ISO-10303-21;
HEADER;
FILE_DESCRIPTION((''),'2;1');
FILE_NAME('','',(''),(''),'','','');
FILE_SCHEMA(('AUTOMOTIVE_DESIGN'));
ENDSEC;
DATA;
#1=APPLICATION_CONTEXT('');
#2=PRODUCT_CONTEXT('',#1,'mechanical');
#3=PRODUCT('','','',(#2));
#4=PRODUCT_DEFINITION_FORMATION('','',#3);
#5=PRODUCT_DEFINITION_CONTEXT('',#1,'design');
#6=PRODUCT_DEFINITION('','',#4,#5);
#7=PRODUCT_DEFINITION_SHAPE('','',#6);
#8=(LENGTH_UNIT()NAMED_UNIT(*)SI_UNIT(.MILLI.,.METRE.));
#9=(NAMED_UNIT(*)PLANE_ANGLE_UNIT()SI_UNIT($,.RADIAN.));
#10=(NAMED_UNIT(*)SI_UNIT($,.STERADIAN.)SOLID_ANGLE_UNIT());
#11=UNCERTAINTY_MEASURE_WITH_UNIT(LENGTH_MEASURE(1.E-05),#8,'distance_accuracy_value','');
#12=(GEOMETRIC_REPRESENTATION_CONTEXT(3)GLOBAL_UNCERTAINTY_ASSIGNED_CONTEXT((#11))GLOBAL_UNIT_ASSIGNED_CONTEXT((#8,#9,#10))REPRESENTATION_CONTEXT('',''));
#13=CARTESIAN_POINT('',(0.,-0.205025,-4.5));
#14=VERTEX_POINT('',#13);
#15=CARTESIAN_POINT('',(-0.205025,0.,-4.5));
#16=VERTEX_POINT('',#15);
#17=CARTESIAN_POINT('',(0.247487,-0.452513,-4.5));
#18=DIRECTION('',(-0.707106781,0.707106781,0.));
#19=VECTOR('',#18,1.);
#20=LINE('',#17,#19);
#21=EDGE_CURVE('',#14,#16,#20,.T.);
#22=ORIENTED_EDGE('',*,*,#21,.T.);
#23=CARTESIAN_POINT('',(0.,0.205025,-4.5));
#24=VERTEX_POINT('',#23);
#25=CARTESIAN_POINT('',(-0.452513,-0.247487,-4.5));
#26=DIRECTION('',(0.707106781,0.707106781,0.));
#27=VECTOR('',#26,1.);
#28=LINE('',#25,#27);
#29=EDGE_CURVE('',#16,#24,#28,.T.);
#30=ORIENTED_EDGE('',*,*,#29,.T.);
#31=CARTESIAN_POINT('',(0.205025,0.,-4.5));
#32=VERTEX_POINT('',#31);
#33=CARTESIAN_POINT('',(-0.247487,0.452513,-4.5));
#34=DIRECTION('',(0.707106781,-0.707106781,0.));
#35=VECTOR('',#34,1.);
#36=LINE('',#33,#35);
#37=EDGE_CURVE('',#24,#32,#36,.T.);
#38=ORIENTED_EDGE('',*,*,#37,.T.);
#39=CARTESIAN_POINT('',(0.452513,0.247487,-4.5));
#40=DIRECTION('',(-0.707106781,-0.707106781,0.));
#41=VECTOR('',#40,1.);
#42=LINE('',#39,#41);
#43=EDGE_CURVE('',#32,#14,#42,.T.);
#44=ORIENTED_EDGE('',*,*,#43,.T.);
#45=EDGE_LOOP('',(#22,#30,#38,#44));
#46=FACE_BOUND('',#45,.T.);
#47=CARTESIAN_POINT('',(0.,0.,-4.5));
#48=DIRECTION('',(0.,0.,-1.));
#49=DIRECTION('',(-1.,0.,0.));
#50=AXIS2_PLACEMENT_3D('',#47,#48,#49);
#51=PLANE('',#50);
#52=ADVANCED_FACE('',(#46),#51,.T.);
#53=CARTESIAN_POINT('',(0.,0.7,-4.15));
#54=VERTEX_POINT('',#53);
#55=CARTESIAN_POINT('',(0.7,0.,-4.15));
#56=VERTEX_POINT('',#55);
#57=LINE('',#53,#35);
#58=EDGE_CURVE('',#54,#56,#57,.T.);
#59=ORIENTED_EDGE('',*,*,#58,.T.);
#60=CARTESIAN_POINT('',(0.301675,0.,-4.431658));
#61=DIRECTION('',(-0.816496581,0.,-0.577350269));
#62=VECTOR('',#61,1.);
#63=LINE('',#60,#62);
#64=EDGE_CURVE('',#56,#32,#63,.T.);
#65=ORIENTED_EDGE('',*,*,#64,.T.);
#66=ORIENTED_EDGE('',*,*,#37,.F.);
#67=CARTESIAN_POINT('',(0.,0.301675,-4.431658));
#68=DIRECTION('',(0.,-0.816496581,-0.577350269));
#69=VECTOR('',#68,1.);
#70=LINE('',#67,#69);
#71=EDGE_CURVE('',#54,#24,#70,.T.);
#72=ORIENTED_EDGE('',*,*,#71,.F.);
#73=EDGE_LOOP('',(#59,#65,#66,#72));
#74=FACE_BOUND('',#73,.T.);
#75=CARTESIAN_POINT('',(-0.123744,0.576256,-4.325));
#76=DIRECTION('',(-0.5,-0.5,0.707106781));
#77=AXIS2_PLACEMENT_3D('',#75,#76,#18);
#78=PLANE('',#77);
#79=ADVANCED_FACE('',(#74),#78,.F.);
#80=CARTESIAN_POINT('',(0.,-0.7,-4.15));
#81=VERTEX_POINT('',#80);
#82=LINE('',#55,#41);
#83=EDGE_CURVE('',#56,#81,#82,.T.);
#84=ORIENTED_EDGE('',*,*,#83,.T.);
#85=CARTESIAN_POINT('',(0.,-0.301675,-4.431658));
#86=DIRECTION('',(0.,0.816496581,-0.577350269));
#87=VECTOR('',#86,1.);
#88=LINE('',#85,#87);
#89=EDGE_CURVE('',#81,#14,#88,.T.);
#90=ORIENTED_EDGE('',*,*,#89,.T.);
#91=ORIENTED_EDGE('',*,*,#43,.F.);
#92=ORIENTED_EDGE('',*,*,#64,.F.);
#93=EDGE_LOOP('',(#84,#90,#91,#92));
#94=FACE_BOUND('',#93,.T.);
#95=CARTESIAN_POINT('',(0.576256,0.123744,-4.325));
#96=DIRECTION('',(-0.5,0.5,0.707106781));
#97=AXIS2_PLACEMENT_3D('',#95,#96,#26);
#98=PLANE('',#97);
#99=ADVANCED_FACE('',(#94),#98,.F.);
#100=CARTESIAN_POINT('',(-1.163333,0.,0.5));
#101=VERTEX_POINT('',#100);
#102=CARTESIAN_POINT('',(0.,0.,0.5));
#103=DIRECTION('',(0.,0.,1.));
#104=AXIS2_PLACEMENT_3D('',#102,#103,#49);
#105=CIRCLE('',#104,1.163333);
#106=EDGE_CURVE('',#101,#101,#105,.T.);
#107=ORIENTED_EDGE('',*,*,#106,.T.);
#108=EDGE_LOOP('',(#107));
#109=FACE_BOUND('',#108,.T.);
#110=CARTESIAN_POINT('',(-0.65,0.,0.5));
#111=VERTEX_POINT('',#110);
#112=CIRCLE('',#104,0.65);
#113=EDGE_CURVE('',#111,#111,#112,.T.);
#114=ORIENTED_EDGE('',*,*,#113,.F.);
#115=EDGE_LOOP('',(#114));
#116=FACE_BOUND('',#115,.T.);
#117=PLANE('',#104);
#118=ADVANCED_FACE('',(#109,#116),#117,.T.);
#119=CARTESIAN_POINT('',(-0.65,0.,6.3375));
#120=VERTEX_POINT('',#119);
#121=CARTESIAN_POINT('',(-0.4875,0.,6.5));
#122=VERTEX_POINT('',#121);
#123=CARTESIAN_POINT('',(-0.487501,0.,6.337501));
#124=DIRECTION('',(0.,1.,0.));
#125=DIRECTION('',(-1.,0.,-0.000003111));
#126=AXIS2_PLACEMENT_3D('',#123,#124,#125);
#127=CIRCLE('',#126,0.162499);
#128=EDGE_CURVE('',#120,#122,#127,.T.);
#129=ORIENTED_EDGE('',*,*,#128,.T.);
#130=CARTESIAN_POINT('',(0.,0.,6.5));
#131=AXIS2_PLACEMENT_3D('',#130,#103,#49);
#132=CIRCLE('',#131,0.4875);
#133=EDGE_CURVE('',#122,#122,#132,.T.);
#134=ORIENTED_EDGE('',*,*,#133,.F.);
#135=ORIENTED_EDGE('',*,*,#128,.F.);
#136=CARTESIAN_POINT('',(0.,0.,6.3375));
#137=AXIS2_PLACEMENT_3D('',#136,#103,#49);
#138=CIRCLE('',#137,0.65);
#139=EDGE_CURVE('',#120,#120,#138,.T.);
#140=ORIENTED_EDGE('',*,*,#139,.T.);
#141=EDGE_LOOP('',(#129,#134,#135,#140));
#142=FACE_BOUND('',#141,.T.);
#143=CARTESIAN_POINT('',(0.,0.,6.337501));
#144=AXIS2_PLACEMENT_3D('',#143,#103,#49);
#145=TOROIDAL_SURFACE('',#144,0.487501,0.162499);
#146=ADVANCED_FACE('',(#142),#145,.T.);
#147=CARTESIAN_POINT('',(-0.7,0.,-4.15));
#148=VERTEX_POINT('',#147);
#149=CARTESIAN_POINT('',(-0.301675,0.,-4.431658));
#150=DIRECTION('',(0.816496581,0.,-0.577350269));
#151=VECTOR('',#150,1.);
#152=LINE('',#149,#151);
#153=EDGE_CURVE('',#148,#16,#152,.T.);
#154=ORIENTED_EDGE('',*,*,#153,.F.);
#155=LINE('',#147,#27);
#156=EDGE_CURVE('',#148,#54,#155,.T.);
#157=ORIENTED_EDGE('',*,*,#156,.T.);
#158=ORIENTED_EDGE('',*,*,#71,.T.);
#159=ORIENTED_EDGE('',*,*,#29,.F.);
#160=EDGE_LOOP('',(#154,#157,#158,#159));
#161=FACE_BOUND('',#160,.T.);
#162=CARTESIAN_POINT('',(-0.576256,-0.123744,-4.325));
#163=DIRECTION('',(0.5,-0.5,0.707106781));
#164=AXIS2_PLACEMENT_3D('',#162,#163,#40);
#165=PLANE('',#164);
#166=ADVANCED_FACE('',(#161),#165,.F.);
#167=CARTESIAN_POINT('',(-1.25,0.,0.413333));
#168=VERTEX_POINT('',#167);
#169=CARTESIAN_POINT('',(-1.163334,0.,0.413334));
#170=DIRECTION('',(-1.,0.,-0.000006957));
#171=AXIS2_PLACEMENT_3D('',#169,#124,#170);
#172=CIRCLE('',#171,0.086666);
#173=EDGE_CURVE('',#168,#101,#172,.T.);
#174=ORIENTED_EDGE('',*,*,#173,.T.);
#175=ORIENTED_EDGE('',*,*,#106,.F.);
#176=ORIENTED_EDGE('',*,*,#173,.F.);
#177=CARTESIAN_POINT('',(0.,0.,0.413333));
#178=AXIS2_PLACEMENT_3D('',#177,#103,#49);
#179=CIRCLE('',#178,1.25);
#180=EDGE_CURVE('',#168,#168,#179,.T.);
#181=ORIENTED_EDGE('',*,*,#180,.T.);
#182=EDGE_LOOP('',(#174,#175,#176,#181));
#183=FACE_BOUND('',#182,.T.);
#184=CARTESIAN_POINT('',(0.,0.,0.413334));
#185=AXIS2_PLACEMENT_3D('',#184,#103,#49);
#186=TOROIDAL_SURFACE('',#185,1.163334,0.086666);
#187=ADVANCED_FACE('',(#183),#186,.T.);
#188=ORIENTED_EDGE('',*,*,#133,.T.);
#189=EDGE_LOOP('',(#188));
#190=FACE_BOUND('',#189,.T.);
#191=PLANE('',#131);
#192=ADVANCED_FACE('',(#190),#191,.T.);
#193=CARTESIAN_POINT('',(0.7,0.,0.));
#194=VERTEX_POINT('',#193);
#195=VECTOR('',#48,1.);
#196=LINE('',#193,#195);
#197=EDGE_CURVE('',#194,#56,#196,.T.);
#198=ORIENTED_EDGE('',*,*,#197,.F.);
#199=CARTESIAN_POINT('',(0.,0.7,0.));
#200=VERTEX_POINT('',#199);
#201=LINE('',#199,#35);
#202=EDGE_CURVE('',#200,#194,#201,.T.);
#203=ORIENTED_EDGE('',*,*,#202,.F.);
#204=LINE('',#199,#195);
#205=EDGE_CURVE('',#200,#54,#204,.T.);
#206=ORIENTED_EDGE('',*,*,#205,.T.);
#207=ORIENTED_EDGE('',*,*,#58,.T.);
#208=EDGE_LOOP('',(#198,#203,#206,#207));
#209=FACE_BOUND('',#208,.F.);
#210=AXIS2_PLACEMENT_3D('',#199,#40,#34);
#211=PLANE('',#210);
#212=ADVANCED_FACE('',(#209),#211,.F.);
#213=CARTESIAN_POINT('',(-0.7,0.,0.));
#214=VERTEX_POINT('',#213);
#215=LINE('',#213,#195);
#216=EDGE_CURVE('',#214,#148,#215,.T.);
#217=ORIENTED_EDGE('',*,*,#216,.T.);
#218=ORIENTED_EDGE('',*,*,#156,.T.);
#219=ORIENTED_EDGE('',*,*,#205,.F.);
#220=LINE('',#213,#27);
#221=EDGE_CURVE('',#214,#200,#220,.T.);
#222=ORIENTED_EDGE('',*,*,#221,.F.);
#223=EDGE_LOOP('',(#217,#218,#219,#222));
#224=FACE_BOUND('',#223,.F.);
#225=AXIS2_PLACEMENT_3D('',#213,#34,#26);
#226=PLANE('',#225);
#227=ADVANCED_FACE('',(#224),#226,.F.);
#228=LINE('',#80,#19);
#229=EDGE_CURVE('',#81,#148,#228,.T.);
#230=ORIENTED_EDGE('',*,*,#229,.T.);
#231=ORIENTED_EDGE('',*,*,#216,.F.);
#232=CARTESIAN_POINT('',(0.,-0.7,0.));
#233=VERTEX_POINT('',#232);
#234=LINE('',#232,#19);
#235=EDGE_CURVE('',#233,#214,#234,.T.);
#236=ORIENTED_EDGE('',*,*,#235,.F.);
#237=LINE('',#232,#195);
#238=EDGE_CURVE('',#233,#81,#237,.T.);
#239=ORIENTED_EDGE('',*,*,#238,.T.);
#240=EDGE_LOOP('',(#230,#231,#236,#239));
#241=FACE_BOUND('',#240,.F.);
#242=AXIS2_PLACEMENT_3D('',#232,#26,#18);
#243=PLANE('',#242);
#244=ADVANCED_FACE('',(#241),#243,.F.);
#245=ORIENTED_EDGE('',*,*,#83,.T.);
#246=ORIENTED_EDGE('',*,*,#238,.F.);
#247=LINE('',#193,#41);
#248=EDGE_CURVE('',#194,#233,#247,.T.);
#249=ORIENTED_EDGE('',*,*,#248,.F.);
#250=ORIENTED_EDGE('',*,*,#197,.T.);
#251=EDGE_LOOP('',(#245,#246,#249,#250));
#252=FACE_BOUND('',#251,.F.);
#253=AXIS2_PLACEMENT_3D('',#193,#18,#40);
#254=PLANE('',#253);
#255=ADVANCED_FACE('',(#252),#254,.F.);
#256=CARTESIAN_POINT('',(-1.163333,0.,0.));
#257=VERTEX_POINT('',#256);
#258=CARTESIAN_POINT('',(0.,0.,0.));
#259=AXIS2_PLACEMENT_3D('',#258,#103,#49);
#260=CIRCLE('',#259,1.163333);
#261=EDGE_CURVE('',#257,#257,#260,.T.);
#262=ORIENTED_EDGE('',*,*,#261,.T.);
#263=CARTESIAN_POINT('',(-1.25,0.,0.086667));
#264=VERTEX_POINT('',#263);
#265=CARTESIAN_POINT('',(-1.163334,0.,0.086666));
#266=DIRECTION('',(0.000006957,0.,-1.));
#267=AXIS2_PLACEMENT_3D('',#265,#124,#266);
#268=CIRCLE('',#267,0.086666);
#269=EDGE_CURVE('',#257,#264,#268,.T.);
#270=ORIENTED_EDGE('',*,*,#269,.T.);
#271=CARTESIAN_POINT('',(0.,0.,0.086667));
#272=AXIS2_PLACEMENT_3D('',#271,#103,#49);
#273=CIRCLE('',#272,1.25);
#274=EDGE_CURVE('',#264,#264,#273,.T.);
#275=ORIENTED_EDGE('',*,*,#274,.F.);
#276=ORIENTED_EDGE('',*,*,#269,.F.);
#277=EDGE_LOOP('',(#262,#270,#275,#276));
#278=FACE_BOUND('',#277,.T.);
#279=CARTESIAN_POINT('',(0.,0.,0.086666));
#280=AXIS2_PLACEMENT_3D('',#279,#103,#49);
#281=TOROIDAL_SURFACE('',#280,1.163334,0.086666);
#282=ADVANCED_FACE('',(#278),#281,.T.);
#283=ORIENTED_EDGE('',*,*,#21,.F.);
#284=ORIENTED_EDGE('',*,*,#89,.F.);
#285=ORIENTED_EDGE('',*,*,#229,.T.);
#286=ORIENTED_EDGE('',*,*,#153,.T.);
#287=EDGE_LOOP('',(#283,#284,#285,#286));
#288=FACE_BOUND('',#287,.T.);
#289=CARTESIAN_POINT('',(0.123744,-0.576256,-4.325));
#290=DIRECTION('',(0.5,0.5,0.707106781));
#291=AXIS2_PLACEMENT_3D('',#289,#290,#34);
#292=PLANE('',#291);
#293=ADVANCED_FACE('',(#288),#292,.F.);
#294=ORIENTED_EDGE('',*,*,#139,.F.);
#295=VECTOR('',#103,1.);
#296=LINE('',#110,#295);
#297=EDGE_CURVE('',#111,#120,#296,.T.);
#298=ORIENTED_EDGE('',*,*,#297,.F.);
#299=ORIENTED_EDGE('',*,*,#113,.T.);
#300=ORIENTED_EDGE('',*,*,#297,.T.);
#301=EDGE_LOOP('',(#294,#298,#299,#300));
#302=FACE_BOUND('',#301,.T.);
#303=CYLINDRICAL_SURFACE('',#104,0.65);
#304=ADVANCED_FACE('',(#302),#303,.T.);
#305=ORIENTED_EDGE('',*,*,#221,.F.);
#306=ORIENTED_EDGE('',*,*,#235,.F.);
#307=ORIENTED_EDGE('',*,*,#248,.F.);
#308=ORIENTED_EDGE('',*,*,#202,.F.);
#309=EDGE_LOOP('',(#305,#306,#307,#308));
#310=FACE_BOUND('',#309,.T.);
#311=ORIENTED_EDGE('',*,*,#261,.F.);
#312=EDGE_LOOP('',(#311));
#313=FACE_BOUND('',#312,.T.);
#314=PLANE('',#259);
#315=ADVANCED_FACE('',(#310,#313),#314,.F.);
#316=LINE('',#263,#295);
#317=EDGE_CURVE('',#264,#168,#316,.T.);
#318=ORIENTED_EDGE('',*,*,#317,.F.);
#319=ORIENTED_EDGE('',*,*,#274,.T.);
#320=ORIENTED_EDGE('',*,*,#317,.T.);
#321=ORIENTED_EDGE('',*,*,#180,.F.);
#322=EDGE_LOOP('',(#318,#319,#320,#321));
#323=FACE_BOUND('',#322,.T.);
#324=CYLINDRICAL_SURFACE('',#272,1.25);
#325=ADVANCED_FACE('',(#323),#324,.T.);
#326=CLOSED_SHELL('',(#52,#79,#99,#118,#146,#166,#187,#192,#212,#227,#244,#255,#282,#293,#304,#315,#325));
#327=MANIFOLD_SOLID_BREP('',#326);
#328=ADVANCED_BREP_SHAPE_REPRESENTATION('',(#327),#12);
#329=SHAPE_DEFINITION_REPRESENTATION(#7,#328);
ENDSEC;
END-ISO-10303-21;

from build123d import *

# Parameters (mm, degrees)
PAD_DEPTH    = 4.5
CHAMFER_SIZE = 0.35


with BuildPart() as part:
    # Sketch → Revolution (revolve)
    with BuildSketch(Plane(origin=(0, 0, 0), x_dir=(-1, 0, 0), z_dir=(0, 1, 0))):
        with BuildLine():
            Line((0, 0), (1.163333, 0))
            ThreePointArc((1.163333, 0), (1.224616, 0.025384), (1.25, 0.086667))
            Line((1.25, 0.086667), (1.25, 0.413333))
            ThreePointArc((1.25, 0.413333), (1.224616, 0.474616), (1.163333, 0.5))
            Line((1.163333, 0.5), (0.65, 0.5))
            Line((0.65, 0.5), (0.65, 6.3375))
            ThreePointArc((0.65, 6.3375), (0.602405, 6.452405), (0.4875, 6.5))
            Line((0.4875, 6.5), (0, 6.5))
            Line((0, 6.5), (0, 0))
        make_face()
    revolve(axis=Axis((0, 0, 0), (0, 0, 1)))

    # Sketch001 → Pad (new body)
    with BuildSketch(Plane.XY):
        Polygon((-0.7, 0), (0, 0.7), (0.7, 0), (0, -0.7), align=None)
    extrude(amount=-PAD_DEPTH)

    # Chamfer
    chamfer_edges = [part.edges().sort_by_distance(p)[0] for p in [
        (0.35, -0.35, -4.5),
        (-0.35, -0.35, -4.5),
        (-0.35, 0.35, -4.5),
        (0.35, 0.35, -4.5),
    ]]
    chamfer(chamfer_edges, length=CHAMFER_SIZE)


solid = part.part
